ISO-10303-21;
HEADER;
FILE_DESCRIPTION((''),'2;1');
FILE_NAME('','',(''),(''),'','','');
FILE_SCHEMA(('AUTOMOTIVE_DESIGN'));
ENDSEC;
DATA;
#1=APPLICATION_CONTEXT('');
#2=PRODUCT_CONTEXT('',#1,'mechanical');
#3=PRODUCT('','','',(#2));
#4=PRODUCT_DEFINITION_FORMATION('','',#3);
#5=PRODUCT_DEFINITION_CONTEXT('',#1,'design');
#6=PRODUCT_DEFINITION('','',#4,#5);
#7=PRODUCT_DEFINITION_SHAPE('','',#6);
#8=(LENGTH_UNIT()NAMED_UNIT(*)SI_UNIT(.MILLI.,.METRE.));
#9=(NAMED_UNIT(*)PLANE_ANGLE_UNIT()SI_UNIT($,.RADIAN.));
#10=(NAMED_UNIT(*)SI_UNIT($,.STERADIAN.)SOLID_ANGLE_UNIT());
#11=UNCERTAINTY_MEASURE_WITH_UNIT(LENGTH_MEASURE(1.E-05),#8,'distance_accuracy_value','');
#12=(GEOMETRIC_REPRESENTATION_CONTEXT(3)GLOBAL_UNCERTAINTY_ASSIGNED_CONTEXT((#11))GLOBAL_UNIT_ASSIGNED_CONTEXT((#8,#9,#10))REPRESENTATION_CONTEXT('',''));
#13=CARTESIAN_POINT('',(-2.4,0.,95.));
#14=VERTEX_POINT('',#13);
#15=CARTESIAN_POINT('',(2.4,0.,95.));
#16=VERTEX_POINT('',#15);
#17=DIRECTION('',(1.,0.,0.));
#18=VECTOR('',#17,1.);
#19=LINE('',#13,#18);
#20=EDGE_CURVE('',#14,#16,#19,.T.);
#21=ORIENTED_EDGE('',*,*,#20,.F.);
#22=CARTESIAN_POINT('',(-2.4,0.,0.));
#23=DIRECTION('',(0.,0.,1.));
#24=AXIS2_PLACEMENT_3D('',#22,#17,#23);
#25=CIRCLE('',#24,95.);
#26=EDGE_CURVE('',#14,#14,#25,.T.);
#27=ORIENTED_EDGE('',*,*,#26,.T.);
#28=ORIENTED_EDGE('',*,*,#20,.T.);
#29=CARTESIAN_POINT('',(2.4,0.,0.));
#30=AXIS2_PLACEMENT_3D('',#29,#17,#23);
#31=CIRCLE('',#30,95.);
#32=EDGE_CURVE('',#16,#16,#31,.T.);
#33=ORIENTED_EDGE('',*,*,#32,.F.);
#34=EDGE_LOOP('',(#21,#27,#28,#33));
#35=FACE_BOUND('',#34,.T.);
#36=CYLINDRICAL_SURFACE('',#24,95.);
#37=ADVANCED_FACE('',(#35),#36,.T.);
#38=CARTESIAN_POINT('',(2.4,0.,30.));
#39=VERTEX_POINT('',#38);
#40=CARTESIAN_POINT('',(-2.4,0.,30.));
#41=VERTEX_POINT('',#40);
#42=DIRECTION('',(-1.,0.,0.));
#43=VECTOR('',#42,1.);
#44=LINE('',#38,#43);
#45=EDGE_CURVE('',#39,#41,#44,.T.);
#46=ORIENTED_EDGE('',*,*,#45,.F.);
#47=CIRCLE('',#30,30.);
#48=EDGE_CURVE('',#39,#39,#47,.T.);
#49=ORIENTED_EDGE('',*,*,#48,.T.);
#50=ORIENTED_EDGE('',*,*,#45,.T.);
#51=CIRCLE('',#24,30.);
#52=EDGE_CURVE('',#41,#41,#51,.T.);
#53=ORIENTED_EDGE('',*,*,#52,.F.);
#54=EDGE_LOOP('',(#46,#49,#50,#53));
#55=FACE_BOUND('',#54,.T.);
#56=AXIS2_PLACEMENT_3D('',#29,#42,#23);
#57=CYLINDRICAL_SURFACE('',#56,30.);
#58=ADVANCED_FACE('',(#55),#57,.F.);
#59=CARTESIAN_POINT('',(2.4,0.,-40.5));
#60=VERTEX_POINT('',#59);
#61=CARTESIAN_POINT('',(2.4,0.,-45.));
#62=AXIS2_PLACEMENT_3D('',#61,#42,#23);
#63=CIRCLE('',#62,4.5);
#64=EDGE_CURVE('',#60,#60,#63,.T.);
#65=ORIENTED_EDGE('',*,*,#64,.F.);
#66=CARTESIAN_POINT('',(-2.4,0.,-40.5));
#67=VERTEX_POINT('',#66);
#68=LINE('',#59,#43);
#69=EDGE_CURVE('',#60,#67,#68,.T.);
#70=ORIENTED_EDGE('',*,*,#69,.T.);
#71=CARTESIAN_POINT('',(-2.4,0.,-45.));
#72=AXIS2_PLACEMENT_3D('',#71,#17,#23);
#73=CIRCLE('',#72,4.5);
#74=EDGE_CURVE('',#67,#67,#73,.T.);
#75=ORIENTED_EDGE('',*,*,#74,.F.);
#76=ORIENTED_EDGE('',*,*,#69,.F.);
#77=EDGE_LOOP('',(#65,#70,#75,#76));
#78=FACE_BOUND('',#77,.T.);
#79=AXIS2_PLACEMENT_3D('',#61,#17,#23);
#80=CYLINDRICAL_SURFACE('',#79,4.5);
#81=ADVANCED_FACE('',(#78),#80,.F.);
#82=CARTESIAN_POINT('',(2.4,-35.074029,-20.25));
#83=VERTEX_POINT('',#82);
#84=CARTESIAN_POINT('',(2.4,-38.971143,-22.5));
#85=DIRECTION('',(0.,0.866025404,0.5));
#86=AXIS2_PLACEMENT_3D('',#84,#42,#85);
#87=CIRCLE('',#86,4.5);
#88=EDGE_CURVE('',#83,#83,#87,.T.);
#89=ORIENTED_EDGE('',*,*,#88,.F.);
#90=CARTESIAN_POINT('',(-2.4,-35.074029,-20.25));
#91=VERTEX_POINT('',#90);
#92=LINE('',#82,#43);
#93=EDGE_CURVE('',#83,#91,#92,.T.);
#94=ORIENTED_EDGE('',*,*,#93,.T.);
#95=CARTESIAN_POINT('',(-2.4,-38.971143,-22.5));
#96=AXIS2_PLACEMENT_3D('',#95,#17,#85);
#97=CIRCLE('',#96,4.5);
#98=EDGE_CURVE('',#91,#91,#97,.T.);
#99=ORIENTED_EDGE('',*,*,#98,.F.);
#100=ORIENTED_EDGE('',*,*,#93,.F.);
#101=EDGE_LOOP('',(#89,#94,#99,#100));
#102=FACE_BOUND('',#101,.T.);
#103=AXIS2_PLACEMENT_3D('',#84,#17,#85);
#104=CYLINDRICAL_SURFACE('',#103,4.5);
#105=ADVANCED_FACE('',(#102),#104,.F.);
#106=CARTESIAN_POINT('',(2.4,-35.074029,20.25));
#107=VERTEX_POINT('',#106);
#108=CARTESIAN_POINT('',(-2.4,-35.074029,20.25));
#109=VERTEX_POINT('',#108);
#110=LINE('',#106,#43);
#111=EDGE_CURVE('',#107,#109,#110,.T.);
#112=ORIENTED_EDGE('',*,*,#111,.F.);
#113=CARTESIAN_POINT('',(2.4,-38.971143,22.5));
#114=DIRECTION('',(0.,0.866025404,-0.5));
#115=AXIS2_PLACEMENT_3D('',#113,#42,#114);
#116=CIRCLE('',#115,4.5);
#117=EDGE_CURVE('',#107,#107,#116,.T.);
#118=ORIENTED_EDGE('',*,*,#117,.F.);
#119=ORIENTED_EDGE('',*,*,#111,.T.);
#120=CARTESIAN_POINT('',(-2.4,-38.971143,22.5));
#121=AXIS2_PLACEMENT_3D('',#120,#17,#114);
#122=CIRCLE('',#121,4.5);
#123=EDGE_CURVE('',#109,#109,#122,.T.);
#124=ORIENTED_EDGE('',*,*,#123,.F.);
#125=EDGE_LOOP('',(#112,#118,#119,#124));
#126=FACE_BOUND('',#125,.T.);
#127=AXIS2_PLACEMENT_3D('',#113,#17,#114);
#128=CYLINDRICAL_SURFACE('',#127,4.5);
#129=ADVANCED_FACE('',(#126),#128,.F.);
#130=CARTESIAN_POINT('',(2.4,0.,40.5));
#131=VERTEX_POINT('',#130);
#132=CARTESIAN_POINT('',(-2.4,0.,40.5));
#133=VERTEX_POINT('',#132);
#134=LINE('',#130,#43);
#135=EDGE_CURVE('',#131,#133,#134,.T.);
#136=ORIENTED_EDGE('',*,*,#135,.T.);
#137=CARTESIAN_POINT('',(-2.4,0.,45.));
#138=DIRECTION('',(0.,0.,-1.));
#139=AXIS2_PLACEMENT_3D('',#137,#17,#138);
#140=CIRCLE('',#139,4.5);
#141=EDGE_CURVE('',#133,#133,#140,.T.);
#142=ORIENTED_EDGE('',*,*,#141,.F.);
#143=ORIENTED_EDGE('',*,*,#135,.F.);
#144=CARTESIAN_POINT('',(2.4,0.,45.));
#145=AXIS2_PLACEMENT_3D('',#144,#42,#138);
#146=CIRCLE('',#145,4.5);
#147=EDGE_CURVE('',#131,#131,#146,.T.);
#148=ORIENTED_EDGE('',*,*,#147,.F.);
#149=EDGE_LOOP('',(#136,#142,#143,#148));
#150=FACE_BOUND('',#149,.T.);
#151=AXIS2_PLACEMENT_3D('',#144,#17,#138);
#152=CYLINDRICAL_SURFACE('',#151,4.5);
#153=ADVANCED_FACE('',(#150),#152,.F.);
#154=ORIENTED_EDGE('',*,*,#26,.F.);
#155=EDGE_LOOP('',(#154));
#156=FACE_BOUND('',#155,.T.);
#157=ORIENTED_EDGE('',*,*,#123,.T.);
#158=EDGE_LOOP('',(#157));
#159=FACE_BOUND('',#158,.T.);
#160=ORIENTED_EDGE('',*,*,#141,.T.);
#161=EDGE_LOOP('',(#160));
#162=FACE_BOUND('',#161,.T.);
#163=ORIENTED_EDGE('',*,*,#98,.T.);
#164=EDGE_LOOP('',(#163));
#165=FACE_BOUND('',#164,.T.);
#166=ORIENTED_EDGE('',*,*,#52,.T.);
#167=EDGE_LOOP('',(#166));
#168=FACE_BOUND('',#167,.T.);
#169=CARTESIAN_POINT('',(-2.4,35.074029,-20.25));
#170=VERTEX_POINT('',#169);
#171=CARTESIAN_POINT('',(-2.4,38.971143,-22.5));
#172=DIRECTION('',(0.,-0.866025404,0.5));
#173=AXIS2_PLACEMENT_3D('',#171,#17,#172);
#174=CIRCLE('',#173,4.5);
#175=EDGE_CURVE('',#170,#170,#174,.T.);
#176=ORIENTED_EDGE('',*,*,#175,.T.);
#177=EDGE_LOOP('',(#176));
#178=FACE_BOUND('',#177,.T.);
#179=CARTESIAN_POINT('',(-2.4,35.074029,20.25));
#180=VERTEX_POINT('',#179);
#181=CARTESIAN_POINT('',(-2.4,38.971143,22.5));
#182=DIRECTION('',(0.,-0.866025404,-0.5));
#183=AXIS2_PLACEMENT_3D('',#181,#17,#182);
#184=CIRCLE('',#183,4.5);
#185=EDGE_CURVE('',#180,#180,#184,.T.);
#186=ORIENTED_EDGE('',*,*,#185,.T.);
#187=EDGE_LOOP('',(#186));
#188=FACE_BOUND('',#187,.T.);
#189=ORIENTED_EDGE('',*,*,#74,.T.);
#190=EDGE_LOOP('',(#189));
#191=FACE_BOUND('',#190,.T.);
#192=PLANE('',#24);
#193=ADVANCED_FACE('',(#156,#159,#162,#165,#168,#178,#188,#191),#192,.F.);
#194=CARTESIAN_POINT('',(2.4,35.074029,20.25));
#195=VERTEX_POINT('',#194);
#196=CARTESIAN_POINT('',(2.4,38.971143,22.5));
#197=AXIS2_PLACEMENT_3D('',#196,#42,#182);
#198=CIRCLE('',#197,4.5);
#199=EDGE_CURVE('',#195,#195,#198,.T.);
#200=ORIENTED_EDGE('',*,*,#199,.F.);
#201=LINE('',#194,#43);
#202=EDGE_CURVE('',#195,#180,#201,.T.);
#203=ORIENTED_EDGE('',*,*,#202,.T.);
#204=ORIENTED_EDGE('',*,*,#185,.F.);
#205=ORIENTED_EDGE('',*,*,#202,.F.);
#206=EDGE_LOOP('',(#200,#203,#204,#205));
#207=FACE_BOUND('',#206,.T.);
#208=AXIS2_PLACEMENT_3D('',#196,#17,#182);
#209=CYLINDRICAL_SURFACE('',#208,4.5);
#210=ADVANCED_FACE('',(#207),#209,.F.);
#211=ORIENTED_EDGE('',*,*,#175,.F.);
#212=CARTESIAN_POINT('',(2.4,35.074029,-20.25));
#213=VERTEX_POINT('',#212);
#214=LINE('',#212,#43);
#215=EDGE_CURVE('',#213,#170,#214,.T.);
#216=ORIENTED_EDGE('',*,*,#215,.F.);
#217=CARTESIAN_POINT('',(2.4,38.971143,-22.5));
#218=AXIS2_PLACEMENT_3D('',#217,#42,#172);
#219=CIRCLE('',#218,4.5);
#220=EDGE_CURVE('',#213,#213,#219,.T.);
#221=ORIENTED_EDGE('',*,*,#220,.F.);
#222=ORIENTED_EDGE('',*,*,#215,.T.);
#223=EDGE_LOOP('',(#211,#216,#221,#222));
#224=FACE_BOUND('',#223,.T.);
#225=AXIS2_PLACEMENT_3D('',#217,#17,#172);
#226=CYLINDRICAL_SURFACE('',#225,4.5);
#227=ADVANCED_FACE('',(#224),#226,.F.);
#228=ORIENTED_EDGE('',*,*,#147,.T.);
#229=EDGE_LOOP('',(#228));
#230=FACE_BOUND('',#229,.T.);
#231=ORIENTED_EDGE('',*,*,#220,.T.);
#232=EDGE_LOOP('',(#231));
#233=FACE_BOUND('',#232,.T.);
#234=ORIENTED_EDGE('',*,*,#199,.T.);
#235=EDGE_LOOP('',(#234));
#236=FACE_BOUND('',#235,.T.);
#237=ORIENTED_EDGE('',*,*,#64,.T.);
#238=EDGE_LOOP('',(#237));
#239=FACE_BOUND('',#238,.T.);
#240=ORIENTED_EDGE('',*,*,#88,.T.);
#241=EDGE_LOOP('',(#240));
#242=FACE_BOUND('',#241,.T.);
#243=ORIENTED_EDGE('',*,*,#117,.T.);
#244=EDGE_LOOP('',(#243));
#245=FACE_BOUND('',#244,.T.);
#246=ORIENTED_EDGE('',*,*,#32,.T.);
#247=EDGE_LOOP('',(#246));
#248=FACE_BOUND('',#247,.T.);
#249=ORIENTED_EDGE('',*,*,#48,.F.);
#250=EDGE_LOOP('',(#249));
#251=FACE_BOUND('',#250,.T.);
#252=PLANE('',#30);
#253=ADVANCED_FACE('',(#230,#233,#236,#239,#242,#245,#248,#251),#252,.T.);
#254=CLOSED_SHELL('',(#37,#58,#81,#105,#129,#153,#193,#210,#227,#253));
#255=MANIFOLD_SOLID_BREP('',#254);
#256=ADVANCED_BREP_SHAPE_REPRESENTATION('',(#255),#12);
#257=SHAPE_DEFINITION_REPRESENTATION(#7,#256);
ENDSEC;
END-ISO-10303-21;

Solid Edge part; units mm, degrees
sketch "Sketch1" plane through (0, 0, 0) normal (0, -1, 0) x (1, 0, 0)
  line L0 (-2.4, 95) -> (2.4, 95)
  line L1 (2.4, 95) -> (2.4, 30)
  line L2 (2.4, 30) -> (-2.4, 30)
  line L3 (-2.4, 30) -> (-2.4, 95)
  dimension "D1" = 4.8
  dimension "D2" = 95
  dimension "D3" = 30
revolve "RevolvedProtrusion1" add sketch "Sketch1" angle 360 about axis through (-60, 0, 0) along (1, 0, 0)
hole "Hole1" at (2.4, 0, 45) direction (-1, 0, 0) diameter 9 end up to next
pattern_circular "Pattern1" count 6 over 360 about axis through (2.4, 0, 0) along (-1, 0, 0) of "Hole1"
properties material "Stainless Steel, 420"
